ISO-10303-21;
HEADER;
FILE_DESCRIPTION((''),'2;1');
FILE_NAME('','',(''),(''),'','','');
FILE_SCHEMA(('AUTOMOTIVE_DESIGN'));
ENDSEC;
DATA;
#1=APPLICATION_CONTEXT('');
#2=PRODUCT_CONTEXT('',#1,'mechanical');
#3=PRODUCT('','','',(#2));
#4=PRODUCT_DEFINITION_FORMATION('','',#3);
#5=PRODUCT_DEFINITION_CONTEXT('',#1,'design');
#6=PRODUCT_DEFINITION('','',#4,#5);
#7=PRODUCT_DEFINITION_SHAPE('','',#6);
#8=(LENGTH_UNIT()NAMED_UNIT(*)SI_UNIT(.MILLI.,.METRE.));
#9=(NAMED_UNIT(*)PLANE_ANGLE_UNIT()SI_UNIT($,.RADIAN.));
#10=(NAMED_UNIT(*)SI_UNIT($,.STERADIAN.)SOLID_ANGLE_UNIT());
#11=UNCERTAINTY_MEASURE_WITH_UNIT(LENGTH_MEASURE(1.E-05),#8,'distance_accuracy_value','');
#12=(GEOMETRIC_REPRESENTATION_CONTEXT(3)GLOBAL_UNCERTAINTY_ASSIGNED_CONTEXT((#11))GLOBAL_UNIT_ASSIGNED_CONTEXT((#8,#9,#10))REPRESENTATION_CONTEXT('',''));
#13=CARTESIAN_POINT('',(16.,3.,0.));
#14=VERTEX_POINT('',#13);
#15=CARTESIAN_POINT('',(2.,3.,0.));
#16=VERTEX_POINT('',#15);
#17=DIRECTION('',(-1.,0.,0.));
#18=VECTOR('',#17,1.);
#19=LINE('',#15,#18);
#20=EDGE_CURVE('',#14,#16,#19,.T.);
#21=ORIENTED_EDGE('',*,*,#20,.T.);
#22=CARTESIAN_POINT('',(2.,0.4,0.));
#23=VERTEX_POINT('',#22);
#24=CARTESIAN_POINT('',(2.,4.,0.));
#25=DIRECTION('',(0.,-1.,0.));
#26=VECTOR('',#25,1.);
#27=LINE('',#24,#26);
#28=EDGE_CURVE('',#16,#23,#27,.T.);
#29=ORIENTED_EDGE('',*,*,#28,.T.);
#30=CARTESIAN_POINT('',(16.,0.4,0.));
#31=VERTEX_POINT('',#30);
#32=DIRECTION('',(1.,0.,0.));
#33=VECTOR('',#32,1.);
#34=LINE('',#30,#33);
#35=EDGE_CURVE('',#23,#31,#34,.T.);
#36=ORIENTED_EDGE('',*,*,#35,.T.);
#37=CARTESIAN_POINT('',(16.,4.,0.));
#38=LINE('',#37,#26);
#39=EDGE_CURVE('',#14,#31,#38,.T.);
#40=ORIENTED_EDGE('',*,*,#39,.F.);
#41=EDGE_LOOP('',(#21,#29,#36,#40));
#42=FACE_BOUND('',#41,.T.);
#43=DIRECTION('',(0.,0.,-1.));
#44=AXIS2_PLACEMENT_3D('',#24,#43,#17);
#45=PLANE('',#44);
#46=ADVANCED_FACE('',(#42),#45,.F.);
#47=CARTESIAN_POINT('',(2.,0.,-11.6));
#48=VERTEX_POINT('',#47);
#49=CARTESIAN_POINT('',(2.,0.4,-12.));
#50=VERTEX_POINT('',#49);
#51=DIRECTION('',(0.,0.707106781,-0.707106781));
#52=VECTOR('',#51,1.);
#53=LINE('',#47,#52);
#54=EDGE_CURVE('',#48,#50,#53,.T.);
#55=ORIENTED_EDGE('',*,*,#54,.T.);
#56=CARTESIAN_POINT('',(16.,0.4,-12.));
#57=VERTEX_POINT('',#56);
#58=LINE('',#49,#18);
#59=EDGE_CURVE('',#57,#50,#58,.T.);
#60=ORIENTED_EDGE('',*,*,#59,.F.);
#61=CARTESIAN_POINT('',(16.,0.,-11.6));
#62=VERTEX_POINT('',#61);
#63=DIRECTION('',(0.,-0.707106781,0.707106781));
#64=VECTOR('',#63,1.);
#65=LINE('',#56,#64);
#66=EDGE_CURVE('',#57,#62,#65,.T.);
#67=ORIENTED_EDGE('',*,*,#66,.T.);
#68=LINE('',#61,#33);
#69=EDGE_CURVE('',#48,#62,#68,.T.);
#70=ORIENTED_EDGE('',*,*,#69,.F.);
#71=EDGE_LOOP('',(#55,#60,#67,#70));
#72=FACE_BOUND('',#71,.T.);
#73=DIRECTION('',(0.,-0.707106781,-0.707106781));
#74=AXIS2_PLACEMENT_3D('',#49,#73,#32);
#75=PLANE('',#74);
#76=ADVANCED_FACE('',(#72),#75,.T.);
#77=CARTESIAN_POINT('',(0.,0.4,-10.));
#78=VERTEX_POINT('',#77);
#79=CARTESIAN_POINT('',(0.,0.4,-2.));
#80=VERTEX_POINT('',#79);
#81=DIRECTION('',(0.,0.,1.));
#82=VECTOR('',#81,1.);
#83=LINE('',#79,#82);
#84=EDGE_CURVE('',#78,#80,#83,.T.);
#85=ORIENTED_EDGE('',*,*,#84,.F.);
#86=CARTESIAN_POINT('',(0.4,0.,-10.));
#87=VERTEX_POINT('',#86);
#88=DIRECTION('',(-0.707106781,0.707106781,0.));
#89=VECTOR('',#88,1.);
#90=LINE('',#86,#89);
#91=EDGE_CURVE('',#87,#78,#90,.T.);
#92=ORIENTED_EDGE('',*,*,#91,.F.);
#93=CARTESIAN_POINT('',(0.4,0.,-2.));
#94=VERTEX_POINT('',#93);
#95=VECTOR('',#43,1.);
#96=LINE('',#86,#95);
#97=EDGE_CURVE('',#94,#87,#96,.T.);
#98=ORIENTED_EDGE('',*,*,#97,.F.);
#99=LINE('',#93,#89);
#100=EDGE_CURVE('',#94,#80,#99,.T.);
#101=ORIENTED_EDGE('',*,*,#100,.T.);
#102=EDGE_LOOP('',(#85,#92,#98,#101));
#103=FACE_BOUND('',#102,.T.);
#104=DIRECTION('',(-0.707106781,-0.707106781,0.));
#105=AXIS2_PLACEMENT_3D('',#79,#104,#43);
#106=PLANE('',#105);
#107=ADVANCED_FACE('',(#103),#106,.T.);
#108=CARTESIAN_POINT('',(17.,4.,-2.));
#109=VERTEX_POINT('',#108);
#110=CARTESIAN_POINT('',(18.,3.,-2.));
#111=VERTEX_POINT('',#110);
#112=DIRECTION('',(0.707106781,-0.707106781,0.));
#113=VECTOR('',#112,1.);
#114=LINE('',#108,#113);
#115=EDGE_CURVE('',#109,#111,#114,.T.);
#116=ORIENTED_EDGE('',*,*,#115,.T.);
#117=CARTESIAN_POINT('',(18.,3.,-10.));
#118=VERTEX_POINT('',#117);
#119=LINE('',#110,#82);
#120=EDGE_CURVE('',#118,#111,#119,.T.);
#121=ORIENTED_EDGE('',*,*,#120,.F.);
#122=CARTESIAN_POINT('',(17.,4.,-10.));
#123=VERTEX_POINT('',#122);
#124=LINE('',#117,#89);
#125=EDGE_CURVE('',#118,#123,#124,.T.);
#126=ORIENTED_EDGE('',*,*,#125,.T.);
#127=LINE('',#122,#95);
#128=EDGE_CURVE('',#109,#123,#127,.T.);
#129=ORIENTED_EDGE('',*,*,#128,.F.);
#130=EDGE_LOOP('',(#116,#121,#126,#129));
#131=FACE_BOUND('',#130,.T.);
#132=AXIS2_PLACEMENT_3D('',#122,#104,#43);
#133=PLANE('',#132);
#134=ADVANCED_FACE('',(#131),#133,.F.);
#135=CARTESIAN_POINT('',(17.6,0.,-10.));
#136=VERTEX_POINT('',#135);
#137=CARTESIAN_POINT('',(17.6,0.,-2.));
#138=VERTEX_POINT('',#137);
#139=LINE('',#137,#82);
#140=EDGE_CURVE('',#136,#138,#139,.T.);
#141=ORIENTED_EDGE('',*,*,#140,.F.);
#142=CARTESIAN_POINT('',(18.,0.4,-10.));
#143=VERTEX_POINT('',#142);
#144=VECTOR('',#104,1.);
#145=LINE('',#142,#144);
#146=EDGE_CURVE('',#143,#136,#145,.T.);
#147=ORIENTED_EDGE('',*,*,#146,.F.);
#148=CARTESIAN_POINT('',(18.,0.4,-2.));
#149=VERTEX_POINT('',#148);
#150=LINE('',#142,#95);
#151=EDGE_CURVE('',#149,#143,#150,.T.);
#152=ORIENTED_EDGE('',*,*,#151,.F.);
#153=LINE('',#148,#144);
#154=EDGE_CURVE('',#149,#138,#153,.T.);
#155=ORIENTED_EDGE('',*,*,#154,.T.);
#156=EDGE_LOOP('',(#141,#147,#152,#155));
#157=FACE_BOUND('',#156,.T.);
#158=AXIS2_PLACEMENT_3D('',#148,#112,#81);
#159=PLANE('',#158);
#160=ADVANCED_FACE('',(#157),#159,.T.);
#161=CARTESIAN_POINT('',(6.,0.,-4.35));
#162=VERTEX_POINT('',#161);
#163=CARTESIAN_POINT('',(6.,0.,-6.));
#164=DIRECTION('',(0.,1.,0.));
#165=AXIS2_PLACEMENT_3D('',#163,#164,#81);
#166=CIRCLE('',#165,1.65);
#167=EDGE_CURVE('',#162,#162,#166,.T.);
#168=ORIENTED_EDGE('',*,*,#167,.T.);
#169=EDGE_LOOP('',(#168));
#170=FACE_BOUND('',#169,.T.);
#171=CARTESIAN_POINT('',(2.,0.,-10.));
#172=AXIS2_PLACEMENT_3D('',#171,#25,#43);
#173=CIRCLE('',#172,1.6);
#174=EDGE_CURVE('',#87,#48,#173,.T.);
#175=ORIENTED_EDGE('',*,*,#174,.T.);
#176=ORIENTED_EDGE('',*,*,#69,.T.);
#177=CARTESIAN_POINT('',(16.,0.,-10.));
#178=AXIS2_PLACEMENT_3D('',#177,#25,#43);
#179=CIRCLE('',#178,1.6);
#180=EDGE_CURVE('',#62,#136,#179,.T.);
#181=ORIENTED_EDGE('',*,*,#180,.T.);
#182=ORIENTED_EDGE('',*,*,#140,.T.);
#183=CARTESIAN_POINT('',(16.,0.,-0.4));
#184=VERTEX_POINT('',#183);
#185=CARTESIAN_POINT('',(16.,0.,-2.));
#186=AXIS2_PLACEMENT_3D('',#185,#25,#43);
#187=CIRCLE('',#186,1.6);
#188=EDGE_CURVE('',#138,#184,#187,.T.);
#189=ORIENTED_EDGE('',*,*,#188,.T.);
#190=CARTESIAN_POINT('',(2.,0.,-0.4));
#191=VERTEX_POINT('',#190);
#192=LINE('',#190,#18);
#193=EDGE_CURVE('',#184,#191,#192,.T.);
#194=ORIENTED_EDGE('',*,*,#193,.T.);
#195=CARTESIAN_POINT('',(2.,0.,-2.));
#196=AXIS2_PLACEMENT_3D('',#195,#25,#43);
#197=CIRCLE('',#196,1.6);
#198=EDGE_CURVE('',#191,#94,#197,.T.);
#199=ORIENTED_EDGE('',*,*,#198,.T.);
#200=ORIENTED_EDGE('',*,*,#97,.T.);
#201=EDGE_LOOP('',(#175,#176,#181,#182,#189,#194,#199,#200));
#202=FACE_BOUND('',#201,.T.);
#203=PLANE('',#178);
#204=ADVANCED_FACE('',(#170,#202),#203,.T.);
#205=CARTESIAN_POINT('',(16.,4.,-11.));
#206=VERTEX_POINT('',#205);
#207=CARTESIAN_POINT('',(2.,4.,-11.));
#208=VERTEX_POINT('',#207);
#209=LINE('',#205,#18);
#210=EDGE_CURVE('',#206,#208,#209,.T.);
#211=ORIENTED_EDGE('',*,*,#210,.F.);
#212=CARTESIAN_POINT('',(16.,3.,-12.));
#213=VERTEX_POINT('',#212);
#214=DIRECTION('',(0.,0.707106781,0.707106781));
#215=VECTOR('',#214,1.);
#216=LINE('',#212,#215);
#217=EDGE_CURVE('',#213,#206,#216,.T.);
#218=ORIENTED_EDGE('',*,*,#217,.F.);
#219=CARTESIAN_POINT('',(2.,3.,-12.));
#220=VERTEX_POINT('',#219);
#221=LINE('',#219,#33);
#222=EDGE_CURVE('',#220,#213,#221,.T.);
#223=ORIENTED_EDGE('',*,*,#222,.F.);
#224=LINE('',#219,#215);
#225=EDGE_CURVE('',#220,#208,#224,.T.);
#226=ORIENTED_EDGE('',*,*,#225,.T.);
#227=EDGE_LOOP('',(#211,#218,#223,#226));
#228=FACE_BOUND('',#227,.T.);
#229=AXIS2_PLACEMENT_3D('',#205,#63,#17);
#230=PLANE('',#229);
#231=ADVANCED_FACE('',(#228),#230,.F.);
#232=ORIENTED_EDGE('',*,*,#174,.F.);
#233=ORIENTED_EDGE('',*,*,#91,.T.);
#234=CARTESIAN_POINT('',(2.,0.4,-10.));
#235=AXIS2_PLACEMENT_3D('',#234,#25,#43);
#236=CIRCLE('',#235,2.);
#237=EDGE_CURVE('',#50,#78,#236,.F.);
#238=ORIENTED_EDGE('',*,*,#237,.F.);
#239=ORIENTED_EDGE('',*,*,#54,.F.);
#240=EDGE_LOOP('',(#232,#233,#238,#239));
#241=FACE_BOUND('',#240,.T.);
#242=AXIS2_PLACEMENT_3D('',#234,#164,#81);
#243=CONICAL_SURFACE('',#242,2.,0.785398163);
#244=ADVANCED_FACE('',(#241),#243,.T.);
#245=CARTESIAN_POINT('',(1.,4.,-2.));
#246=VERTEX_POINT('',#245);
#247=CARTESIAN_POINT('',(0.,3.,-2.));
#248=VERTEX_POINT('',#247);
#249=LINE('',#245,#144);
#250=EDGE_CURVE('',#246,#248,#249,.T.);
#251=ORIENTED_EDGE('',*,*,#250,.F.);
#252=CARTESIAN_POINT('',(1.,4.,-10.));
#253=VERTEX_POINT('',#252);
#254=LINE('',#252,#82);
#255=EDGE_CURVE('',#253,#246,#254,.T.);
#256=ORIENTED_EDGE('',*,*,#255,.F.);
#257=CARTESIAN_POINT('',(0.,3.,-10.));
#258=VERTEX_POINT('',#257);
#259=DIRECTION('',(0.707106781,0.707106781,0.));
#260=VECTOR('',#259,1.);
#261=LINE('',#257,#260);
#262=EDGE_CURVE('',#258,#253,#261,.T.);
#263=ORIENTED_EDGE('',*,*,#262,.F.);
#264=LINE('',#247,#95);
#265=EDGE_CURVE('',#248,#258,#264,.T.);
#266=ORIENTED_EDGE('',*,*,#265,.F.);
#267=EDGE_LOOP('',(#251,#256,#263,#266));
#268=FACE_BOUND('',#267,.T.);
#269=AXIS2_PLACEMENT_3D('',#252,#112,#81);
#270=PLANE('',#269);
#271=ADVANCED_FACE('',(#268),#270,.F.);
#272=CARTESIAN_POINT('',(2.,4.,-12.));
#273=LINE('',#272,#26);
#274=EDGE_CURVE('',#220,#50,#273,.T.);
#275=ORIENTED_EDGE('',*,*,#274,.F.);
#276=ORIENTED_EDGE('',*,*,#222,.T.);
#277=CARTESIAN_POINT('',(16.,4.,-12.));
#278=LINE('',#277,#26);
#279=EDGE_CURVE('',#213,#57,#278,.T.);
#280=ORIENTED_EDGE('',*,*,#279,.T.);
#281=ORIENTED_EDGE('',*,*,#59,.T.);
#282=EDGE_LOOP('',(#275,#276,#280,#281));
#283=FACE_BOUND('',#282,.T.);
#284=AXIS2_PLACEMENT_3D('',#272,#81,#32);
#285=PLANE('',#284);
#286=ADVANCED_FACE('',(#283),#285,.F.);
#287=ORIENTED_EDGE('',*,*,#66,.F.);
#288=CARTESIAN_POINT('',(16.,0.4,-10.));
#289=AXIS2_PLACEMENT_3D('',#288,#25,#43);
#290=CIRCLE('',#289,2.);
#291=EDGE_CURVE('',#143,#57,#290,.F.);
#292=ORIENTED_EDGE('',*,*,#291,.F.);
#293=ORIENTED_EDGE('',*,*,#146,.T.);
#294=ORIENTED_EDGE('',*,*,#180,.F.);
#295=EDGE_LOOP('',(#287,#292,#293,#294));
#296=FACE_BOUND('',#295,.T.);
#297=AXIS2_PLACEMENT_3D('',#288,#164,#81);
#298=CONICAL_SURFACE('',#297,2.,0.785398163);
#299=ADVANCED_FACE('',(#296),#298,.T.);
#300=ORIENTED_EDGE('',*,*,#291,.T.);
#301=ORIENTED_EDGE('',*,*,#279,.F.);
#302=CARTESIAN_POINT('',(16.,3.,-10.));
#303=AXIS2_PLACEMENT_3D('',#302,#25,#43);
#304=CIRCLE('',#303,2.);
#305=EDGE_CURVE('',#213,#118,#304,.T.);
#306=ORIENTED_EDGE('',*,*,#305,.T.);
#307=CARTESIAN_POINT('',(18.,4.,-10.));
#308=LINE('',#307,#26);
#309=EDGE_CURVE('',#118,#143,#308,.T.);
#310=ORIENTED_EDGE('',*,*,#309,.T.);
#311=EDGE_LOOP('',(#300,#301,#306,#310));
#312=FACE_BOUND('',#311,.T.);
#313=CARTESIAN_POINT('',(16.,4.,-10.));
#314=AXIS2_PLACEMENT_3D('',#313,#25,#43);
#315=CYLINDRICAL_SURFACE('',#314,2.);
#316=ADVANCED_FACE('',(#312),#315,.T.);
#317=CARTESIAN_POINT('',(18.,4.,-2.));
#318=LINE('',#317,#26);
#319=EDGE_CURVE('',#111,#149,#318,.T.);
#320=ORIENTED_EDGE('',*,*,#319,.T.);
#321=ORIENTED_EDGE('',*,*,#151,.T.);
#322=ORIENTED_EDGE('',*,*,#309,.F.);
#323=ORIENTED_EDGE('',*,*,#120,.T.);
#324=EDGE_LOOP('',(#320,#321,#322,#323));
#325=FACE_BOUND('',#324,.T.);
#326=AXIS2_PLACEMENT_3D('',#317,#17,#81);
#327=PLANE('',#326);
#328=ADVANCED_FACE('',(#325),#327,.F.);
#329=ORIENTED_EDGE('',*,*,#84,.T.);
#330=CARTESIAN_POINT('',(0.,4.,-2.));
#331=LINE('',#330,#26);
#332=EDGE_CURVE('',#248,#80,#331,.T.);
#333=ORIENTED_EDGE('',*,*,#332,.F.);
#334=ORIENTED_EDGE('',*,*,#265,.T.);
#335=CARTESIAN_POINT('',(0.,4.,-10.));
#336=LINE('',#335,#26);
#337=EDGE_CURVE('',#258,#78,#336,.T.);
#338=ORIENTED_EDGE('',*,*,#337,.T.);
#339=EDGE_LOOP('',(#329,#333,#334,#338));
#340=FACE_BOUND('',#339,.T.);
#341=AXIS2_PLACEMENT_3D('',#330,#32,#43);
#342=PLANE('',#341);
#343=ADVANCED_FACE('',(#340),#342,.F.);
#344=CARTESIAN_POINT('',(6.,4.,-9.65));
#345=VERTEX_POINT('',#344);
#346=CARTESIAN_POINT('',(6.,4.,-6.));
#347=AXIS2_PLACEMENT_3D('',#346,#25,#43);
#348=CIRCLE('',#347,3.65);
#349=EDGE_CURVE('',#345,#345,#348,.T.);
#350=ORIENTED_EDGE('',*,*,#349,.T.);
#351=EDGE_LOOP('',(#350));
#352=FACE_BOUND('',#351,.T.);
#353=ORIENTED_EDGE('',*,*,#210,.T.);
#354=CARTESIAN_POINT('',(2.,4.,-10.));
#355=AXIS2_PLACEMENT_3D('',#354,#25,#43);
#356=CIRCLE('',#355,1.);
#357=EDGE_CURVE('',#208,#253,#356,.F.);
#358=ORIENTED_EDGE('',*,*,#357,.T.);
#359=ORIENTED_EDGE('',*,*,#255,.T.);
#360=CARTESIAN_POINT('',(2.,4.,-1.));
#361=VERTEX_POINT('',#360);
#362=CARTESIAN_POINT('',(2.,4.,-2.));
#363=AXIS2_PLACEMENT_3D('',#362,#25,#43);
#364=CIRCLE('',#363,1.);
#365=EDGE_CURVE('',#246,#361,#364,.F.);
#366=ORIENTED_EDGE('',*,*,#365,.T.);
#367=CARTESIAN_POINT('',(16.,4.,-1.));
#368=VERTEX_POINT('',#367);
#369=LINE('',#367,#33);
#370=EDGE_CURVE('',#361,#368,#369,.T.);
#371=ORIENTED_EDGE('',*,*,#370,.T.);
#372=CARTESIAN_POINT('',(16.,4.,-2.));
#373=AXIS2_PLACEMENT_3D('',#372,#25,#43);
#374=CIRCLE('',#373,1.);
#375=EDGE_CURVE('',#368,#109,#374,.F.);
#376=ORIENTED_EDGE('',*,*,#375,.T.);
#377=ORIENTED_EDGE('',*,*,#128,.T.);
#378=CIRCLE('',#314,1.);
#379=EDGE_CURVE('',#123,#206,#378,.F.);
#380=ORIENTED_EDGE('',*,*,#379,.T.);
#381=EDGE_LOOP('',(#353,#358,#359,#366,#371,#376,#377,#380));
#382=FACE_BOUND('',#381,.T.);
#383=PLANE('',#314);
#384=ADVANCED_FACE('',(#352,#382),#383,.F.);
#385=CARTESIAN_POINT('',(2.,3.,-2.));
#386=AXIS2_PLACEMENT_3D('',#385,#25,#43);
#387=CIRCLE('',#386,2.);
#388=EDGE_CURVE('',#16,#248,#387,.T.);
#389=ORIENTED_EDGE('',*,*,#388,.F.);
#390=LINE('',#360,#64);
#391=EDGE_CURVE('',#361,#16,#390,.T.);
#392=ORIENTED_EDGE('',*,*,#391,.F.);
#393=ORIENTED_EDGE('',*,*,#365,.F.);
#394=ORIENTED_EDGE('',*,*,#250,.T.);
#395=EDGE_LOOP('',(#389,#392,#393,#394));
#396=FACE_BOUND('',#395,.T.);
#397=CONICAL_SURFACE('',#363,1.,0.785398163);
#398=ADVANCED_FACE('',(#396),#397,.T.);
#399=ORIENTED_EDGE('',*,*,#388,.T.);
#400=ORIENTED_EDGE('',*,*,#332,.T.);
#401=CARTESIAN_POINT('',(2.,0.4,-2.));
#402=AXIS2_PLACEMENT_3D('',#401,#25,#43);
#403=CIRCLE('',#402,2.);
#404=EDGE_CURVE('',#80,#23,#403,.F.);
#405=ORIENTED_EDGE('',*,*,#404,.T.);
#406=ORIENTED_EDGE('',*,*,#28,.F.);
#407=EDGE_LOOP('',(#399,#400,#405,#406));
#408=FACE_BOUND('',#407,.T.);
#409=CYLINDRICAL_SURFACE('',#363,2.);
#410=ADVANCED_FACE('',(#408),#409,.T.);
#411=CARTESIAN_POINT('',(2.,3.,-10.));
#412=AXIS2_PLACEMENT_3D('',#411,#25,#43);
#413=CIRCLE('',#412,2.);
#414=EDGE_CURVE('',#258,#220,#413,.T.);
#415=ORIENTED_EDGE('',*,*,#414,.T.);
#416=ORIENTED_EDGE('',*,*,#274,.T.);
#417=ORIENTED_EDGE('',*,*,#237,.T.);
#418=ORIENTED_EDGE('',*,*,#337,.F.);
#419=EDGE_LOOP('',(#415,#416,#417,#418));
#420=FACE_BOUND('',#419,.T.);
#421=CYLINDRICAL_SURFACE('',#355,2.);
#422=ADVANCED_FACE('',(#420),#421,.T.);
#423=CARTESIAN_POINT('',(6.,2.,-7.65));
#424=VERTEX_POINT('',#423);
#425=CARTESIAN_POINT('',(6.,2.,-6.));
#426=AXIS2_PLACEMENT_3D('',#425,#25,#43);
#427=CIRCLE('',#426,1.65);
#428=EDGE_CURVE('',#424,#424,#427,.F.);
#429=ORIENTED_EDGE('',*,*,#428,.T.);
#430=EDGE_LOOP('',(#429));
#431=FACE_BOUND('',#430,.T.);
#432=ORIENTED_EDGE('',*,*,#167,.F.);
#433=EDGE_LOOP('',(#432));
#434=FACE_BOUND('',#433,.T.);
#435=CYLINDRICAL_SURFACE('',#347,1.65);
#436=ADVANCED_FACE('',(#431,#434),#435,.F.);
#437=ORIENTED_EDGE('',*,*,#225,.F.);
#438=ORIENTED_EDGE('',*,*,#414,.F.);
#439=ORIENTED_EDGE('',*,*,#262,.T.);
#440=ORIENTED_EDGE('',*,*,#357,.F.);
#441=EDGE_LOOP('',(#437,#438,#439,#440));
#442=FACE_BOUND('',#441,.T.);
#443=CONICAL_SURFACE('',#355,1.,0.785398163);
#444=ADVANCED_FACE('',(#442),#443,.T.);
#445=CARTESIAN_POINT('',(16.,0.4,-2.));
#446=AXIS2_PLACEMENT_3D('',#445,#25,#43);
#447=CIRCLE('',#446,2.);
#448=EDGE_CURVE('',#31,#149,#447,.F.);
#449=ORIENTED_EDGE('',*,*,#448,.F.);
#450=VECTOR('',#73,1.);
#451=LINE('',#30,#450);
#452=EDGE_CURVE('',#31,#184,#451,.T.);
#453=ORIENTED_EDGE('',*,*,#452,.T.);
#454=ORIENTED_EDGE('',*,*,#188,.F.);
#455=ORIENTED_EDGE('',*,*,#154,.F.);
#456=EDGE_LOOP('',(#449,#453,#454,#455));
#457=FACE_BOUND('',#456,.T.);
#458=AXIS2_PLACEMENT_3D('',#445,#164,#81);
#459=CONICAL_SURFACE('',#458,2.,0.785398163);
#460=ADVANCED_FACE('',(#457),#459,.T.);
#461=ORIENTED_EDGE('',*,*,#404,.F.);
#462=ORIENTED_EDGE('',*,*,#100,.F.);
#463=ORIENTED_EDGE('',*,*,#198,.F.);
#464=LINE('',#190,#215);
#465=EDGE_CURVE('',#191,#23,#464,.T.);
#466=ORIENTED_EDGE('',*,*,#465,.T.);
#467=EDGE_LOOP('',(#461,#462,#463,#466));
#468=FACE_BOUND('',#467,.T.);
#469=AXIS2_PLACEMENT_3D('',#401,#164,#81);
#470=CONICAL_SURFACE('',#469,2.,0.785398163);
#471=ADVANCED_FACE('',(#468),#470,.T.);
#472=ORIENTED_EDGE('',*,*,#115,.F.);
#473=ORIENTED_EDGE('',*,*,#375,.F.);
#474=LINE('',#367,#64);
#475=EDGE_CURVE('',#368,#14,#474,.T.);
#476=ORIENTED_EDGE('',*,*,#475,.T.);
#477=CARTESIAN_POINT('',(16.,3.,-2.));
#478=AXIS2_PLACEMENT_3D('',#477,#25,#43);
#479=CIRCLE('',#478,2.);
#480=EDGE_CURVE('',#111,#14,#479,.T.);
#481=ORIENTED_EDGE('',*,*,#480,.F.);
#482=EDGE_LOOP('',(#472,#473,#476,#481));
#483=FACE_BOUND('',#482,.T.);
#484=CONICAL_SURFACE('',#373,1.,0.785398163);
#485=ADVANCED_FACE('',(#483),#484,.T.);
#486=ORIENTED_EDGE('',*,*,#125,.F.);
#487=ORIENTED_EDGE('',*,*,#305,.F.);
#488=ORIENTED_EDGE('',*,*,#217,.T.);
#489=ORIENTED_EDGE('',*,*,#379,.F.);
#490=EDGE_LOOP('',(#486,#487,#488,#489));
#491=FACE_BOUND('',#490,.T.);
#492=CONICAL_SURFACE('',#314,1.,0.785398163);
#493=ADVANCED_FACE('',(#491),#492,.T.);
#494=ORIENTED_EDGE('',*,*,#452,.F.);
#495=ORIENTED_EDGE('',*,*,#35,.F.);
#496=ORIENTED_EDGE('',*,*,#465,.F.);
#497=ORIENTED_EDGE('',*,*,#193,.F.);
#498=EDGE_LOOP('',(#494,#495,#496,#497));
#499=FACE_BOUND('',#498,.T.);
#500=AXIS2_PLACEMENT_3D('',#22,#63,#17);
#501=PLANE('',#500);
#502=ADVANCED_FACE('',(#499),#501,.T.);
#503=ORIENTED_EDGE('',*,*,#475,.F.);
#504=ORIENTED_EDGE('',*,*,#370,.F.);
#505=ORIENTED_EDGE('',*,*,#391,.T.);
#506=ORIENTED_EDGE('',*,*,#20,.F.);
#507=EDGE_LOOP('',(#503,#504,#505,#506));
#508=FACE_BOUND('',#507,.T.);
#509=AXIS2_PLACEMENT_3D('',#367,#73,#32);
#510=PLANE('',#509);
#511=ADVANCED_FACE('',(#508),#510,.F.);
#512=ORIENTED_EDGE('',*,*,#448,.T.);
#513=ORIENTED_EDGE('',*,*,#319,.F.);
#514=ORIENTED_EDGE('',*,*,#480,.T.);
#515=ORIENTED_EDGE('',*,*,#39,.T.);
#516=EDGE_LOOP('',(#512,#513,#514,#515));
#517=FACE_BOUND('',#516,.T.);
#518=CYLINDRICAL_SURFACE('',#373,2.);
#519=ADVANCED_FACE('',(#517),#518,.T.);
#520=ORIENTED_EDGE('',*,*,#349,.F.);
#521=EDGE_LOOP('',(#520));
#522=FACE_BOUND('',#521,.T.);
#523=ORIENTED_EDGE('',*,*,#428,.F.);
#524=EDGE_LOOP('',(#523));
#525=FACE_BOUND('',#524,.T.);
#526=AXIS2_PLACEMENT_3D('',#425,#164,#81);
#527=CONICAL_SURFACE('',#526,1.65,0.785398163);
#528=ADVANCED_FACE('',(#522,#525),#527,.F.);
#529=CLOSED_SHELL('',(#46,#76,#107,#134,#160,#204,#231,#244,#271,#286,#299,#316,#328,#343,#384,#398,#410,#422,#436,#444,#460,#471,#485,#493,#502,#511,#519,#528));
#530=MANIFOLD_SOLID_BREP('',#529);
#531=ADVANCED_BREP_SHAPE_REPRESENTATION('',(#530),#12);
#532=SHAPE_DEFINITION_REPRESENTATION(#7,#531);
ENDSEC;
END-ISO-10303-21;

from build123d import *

# Parameters (mm, degrees)
SKETCH_1_R      = 1.65
EXTRUDE_1_DEPTH = 4
CHAMFER_1_SIZE  = 2
CHAMFER_2_SIZE  = 1
CHAMFER_3_SIZE  = 0.4


with BuildPart() as part:
    # 草图1 → 凸台-拉伸1 (new body)
    with BuildSketch(Plane(origin=(0, 0, 0), x_dir=(1, 0, 0), z_dir=(0, 1, 0))):
        with BuildLine():
            Line((2, 0), (16, 0))
            ThreePointArc((16, 0), (17.414213562, 0.585786438), (18, 2))
            Line((18, 2), (18, 10))
            ThreePointArc((18, 10), (17.414213562, 11.414213562), (16, 12))
            Line((16, 12), (2, 12))
            ThreePointArc((2, 12), (0.585786438, 11.414213562), (0, 10))
            Line((0, 10), (0, 2))
            ThreePointArc((0, 2), (0.585786438, 0.585786438), (2, 0))
        make_face()
        with Locations(Location((6, 6, 0), (0, 0, 270))):
            Circle(SKETCH_1_R, mode=Mode.SUBTRACT)
    extrude(amount=EXTRUDE_1_DEPTH)

    # 倒角1
    chamfer_1_edges = [part.edges().sort_by_distance(p)[0] for p in [
        (6, 4, -7.65),
    ]]
    chamfer(chamfer_1_edges, length=CHAMFER_1_SIZE)

    # 倒角2
    chamfer_2_edges = [part.edges().sort_by_distance(p)[0] for p in [
        (0.585786438, 4, -11.414213562),
        (0, 4, -6),
        (0.585786438, 4, -0.585786438),
        (9, 4, 0),
        (17.414213562, 4, -0.585786438),
        (18, 4, -6),
        (17.414213562, 4, -11.414213562),
        (9, 4, -12),
    ]]
    chamfer(chamfer_2_edges, length=CHAMFER_2_SIZE)

    # 倒角3
    chamfer_3_edges = [part.edges().sort_by_distance(p)[0] for p in [
        (0, 0, -6),
        (0.585786438, 0, -11.414213562),
        (9, 0, -12),
        (17.414213562, 0, -11.414213562),
        (18, 0, -6),
        (17.414213562, 0, -0.585786438),
        (9, 0, 0),
        (0.585786438, 0, -0.585786438),
    ]]
    chamfer(chamfer_3_edges, length=CHAMFER_3_SIZE)


solid = part.part
